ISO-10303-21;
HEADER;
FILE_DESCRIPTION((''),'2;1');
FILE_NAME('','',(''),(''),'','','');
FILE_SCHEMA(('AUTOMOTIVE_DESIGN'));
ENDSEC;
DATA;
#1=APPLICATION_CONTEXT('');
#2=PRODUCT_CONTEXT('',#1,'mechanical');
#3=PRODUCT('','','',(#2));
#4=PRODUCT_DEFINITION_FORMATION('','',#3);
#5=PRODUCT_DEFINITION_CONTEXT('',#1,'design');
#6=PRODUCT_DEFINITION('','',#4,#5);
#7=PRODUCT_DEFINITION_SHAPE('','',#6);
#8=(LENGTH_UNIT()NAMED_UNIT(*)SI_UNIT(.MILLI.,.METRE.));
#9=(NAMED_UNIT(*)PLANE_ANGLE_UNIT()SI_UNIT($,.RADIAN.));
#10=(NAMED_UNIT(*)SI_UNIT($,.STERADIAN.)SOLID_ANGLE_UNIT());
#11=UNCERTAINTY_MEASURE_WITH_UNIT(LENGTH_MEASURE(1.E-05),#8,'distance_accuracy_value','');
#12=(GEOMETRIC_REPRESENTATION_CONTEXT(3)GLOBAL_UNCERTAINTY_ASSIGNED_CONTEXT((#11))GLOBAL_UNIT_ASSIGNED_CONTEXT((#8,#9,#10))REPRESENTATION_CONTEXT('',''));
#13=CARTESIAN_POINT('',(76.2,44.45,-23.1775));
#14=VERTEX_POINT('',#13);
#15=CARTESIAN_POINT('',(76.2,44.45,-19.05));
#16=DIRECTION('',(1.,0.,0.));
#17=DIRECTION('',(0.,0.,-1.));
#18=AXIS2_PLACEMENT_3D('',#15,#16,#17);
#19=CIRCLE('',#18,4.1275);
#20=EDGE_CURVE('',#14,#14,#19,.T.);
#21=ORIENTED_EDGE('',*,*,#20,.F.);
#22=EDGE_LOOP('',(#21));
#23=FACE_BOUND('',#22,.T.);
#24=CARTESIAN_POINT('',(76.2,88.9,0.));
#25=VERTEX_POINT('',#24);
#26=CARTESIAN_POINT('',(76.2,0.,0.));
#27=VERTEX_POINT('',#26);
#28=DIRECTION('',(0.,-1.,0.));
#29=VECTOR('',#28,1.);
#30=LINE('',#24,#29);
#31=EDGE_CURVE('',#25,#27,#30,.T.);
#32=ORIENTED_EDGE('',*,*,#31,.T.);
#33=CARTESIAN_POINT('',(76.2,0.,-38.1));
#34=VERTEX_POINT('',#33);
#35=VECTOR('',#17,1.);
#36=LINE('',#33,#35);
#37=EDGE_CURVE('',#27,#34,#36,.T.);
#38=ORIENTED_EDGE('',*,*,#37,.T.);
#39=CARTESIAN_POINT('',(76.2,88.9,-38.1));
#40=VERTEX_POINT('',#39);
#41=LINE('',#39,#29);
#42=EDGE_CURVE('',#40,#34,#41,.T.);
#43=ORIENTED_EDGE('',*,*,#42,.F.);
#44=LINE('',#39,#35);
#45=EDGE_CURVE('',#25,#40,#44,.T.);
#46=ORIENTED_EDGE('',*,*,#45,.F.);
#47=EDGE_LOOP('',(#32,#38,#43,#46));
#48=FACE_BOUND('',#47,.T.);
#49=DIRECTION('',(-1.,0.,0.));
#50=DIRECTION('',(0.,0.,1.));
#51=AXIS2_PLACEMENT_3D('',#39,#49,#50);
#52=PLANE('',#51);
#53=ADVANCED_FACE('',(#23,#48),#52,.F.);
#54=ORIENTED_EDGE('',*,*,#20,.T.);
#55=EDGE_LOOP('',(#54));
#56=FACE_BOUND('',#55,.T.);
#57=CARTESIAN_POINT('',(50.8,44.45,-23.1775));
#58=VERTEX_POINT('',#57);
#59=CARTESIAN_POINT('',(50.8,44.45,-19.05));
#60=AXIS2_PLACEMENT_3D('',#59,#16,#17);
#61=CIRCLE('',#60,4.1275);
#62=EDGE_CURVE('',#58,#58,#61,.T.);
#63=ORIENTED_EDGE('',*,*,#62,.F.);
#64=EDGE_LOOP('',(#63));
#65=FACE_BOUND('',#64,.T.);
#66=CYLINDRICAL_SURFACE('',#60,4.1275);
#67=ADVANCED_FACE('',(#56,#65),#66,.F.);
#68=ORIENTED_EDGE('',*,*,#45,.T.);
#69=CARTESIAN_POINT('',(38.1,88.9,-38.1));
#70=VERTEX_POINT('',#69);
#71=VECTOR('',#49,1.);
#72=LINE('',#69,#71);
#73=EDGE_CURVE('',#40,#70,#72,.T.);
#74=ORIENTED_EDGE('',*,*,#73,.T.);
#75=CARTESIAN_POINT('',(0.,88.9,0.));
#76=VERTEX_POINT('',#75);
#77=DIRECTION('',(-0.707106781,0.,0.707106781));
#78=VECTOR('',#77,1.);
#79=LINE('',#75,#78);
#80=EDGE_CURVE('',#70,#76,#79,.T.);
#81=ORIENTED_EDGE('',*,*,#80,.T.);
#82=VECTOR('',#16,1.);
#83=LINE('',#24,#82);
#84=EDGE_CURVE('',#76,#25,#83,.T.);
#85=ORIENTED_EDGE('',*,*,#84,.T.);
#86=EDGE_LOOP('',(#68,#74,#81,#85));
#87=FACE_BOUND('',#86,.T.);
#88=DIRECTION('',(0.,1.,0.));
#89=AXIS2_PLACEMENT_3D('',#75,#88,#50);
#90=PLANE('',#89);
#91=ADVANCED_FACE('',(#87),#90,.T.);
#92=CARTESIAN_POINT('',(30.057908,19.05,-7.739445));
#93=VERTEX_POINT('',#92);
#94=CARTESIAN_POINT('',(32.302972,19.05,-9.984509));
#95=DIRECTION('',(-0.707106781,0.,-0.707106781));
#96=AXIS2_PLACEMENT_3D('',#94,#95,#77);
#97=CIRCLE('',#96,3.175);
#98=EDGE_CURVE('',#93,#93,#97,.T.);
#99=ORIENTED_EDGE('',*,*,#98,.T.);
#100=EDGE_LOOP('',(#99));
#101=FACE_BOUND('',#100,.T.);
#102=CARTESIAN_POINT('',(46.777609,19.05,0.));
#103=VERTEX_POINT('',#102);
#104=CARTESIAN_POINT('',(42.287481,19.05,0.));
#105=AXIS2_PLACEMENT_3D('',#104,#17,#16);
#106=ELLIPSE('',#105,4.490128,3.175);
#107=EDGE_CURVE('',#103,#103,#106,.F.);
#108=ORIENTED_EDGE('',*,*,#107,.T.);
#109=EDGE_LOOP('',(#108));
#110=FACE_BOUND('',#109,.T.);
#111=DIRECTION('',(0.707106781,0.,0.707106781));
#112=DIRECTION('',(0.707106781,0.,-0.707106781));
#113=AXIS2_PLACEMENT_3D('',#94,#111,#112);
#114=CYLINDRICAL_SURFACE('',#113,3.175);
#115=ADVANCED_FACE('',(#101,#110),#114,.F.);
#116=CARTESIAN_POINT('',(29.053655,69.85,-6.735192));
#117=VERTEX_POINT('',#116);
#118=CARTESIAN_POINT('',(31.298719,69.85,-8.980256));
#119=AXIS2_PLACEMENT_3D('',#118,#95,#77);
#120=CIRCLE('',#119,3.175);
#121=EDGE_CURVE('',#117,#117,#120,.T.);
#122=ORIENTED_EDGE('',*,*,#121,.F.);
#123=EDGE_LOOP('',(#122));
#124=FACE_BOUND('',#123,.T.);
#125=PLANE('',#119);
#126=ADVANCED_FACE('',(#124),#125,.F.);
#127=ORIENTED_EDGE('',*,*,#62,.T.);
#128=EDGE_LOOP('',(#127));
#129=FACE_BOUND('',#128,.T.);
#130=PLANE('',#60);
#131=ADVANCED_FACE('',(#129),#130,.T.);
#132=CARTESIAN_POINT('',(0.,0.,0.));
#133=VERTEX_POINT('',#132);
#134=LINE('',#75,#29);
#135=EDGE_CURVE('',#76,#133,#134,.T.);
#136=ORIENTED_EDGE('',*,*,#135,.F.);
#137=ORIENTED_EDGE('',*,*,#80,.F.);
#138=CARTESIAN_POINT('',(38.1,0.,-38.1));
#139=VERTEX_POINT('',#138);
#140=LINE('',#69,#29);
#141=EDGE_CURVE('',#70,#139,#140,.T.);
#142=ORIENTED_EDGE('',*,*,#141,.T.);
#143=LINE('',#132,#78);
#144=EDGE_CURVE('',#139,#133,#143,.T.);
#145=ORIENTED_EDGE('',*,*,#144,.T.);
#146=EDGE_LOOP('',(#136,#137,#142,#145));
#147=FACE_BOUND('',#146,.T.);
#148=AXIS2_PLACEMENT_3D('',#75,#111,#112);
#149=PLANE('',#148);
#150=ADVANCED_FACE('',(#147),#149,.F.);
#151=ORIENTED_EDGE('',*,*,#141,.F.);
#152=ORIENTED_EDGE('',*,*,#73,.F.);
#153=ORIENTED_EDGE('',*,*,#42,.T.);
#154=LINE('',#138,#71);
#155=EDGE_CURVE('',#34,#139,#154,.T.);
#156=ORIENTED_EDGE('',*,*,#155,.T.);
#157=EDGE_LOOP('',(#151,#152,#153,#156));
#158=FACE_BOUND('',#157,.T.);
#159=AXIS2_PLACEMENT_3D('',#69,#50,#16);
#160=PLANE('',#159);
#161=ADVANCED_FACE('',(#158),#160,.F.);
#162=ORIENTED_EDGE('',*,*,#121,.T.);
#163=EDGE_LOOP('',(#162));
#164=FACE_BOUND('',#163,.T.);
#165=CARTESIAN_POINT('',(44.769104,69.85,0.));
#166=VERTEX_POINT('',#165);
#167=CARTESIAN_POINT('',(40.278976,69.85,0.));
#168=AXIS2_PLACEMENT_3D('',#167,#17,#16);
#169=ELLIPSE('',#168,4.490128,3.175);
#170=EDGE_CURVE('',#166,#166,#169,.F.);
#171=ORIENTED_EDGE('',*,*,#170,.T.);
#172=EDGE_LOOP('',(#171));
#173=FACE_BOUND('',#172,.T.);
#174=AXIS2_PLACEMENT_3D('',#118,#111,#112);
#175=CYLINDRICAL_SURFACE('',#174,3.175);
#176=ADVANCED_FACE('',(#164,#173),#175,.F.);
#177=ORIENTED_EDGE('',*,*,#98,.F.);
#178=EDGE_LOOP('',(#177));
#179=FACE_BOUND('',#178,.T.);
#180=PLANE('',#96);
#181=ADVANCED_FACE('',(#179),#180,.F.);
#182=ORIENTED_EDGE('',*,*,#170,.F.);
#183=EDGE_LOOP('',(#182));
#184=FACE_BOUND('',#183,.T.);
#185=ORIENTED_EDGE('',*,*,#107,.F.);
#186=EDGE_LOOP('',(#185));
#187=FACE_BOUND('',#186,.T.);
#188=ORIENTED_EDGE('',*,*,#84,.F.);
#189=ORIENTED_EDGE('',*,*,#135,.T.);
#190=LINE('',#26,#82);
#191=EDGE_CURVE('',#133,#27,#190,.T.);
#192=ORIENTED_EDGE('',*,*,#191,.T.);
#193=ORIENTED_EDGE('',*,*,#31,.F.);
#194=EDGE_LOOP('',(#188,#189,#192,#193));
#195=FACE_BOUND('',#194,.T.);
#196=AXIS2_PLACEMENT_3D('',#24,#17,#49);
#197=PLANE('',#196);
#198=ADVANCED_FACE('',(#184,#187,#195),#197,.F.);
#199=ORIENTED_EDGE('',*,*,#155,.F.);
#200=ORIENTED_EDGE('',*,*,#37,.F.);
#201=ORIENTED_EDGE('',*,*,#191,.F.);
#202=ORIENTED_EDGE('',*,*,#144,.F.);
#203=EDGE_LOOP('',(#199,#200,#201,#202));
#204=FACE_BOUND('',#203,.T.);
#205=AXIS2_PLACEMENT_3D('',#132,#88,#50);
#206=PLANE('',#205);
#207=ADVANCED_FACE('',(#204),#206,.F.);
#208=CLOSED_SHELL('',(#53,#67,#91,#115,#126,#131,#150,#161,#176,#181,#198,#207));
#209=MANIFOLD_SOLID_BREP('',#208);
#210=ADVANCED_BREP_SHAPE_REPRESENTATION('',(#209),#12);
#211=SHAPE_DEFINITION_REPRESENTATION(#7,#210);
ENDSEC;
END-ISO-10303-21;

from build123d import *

# Parameters (mm, degrees)
BOSS_EXTRUDE1_DEPTH = 88.9
SKETCH2_R           = 3.175
CUT_EXTRUDE1_DEPTH  = 38.1
SKETCH3_R           = 4.1275
CUT_EXTRUDE2_DEPTH  = 25.4


with BuildPart() as part:
    # Sketch1 → Boss-Extrude1 (new body)
    with BuildSketch(Plane(origin=(0, 0, 0), x_dir=(1, 0, 0), z_dir=(0, 1, 0))):
        Polygon((0, 0), (38.1, 38.1), (76.2, 38.1), (76.2, 0), align=None)
    extrude(amount=BOSS_EXTRUDE1_DEPTH)

    # Sketch2 → Cut-Extrude1 (cut)
    with BuildSketch(Plane(origin=(38.1, 0, 38.1), x_dir=(-0.7071067811865464, 0, 0.7071067811865488), z_dir=(-0.7071067811865488, 0, -0.7071067811865464))):
        with Locations(Location((-28.481536726, 69.85, 0), (0, 0, 180))):
            Circle(SKETCH2_R)
        with Locations(Location((-29.901764766, 19.05, 0), (0, 0, 180))):
            Circle(SKETCH2_R)
    extrude(amount=CUT_EXTRUDE1_DEPTH, mode=Mode.SUBTRACT)

    # Sketch3 → Cut-Extrude2 (cut)
    with BuildSketch(Plane(origin=(76.2, 0, 0), x_dir=(0, 0, -1), z_dir=(1, 0, 0))):
        with Locations((19.05, 44.45)):
            Circle(SKETCH3_R)
    extrude(amount=-CUT_EXTRUDE2_DEPTH, mode=Mode.SUBTRACT)


solid = part.part
